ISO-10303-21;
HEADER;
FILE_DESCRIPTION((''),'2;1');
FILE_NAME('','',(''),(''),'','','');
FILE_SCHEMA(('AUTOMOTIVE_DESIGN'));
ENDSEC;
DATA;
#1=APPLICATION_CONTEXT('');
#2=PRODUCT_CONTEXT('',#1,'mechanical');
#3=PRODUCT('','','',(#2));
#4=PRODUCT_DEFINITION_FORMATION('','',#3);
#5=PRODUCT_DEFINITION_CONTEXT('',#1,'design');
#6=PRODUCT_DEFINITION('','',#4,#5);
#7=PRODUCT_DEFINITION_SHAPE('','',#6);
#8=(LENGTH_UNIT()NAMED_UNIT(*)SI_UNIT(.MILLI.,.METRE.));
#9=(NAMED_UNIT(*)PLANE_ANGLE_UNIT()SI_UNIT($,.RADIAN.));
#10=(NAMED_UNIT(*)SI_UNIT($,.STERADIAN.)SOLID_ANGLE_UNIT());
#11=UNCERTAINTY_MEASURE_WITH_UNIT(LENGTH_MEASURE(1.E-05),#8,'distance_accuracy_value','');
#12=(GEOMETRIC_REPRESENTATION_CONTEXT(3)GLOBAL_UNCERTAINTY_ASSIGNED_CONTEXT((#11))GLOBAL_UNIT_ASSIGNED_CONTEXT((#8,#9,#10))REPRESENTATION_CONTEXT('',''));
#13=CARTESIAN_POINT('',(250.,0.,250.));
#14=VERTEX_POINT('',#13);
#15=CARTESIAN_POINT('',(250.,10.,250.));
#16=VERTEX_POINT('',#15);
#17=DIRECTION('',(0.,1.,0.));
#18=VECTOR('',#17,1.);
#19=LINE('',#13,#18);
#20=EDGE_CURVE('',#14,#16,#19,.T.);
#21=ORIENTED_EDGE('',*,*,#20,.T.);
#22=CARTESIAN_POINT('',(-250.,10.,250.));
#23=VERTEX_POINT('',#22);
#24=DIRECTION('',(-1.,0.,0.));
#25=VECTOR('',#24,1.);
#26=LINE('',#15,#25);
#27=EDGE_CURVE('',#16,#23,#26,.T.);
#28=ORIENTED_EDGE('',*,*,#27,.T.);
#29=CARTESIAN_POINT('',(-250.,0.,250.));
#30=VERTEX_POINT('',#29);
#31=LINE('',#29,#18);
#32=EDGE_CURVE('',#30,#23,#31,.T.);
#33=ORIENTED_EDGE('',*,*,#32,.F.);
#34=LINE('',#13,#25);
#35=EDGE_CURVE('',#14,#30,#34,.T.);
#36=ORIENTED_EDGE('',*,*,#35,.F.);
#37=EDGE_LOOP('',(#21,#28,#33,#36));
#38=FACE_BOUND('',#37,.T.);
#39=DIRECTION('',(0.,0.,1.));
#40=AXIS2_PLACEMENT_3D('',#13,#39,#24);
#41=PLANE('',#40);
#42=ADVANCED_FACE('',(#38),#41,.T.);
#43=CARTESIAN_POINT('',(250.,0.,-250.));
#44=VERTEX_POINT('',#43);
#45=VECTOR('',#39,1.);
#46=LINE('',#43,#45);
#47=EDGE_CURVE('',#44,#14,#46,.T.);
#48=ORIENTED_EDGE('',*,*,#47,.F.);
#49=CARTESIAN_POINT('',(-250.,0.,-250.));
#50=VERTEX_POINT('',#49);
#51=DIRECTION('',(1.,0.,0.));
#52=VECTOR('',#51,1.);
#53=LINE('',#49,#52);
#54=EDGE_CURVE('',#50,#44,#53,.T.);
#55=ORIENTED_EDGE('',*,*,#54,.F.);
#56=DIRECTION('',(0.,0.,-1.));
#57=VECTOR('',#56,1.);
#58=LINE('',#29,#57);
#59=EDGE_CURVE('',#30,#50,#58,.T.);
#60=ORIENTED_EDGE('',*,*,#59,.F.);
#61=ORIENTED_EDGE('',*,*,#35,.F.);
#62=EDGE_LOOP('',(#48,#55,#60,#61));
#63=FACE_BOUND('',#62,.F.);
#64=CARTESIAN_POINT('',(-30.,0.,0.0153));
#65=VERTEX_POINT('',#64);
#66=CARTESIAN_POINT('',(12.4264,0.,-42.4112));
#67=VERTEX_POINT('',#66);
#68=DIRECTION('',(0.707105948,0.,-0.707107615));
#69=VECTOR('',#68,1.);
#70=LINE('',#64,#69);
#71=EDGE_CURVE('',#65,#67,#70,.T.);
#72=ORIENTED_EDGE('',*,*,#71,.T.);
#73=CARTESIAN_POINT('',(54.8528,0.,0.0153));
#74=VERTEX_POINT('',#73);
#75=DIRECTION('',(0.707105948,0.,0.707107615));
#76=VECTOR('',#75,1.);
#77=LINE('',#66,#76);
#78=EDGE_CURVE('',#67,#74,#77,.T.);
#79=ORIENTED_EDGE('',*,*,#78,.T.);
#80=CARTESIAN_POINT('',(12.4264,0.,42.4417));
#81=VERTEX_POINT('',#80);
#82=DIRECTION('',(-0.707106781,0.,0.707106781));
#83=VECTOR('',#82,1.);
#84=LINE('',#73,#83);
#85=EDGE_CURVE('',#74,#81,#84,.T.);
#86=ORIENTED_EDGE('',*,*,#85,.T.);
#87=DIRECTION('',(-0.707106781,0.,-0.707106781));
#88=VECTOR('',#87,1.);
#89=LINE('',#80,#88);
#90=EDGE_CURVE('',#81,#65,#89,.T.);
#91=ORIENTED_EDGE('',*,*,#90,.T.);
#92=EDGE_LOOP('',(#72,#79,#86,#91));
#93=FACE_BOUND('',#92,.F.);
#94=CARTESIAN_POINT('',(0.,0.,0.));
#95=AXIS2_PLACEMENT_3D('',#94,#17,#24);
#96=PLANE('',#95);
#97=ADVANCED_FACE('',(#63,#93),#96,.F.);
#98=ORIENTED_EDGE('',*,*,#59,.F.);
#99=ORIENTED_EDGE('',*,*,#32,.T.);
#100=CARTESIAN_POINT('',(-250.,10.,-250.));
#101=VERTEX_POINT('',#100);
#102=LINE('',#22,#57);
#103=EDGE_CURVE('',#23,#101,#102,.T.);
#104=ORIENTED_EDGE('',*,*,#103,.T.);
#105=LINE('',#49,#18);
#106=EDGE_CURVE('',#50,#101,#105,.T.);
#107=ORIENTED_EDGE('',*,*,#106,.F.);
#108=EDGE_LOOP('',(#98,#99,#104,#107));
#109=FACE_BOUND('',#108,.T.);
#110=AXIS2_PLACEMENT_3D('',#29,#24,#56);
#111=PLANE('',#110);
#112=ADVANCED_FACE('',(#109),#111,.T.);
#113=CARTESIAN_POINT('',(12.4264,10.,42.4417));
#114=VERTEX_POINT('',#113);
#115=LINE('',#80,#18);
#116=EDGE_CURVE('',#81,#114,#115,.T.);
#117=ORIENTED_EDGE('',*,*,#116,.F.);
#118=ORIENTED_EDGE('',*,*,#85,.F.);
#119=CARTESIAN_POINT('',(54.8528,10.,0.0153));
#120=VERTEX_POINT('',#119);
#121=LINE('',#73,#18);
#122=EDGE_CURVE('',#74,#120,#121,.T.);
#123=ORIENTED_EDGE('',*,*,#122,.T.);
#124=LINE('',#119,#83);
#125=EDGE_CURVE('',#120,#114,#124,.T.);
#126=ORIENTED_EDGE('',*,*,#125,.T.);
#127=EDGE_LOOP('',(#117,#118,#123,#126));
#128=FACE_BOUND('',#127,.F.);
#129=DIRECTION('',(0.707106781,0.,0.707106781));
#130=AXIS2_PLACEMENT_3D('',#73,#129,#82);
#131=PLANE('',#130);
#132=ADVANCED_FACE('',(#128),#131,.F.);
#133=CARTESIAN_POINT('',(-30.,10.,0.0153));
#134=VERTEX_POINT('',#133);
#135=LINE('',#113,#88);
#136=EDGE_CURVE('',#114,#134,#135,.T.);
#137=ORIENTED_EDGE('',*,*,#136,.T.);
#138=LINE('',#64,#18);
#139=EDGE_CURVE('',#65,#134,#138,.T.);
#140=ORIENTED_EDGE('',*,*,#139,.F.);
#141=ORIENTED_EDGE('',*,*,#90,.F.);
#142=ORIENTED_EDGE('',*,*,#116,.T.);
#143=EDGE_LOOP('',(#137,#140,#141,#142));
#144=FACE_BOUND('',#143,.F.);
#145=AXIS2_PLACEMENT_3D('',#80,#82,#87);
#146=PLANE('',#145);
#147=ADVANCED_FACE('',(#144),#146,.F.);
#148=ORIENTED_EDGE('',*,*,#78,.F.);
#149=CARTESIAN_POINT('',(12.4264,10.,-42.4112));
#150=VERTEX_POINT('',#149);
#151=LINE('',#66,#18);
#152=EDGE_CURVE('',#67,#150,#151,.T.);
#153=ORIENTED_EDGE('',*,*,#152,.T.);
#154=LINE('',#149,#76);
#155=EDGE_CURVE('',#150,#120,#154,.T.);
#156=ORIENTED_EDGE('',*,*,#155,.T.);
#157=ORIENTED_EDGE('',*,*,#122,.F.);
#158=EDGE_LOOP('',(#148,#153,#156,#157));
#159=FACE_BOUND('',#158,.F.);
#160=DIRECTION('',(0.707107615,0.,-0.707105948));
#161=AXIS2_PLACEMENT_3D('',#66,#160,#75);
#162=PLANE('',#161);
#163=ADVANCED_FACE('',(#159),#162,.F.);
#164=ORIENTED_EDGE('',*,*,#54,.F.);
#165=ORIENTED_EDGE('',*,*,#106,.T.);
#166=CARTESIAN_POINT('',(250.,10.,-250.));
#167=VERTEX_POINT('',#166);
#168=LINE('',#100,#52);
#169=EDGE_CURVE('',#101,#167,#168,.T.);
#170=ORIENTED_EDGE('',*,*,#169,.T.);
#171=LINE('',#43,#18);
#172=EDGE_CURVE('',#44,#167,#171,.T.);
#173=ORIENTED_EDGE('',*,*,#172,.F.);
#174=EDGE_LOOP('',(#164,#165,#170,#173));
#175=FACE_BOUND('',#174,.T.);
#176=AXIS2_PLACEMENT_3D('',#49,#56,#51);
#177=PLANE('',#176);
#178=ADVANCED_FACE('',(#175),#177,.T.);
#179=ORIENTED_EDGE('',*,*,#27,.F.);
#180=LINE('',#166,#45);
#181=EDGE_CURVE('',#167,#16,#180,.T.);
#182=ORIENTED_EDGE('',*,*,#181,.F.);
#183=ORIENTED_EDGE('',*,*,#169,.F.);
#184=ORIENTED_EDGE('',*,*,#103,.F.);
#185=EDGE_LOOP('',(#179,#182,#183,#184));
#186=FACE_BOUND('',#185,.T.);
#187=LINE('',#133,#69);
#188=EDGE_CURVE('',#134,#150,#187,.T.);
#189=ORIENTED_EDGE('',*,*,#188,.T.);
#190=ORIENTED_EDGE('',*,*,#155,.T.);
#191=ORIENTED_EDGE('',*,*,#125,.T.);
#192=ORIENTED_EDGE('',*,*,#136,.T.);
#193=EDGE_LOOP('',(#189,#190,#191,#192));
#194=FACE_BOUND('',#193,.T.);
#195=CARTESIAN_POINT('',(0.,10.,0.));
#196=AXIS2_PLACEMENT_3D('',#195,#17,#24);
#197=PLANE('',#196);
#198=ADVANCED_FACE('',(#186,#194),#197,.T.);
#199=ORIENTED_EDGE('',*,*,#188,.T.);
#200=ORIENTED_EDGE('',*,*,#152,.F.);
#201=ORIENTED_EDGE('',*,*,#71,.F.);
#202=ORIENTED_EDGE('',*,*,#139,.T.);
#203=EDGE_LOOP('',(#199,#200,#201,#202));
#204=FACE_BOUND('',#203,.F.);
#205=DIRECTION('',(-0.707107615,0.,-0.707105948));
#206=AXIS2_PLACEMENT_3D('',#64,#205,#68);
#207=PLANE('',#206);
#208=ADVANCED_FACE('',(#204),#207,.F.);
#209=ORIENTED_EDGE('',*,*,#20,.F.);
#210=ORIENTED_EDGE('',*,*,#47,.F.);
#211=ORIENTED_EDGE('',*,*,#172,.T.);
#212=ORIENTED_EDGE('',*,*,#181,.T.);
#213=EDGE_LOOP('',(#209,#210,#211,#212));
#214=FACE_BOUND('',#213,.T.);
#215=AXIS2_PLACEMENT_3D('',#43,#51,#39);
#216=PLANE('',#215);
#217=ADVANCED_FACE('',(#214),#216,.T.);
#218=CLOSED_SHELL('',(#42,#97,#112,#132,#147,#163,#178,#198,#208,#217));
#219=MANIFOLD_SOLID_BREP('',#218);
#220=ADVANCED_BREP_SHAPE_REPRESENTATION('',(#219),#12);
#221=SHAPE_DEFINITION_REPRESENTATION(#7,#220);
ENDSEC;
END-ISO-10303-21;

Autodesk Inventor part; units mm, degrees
ref_plane "YZ Plane" through (0, 0, 0) normal (1, 0, 0) x (0, 1, 0)
ref_plane "XZ Plane" through (0, 0, 0) normal (0, 1, 0) x (-1, 0, 0)
ref_plane "XY Plane" through (0, 0, 0) normal (0, 0, 1) x (1, 0, 0)
sketch "Sketch1" plane through (0, 0, 0) normal (0, 1, 0) x (-1, 0, 0)
  line L0 (-250, 250) -> (250, 250)
  line L1 (250, 250) -> (250, -250)
  line L2 (250, -250) -> (-250, -250)
  line L3 (-250, -250) -> (-250, 250)
  line L4 (-250, 250) -> (250, -250) construction
  line L5 (250, 250) -> (-250, -250) construction
  line L6 (-12.4264, 42.4417) -> (30, 0.0153)
  line L7 (30, 0.0153) -> (-12.4264, -42.4112)
  line L8 (-12.4264, -42.4112) -> (-54.8528, 0.0153)
  line L9 (-54.8528, 0.0153) -> (-12.4264, 42.4417)
  point P0 (0, 0)
  dimension "d0" = 500
  dimension "d1" = 60
  dimension "d2" = 30
  dimension "d3" = 54.8528
extrude "Extrusion1" add sketch "Sketch1" along normal blind 10
properties part number "wer"
